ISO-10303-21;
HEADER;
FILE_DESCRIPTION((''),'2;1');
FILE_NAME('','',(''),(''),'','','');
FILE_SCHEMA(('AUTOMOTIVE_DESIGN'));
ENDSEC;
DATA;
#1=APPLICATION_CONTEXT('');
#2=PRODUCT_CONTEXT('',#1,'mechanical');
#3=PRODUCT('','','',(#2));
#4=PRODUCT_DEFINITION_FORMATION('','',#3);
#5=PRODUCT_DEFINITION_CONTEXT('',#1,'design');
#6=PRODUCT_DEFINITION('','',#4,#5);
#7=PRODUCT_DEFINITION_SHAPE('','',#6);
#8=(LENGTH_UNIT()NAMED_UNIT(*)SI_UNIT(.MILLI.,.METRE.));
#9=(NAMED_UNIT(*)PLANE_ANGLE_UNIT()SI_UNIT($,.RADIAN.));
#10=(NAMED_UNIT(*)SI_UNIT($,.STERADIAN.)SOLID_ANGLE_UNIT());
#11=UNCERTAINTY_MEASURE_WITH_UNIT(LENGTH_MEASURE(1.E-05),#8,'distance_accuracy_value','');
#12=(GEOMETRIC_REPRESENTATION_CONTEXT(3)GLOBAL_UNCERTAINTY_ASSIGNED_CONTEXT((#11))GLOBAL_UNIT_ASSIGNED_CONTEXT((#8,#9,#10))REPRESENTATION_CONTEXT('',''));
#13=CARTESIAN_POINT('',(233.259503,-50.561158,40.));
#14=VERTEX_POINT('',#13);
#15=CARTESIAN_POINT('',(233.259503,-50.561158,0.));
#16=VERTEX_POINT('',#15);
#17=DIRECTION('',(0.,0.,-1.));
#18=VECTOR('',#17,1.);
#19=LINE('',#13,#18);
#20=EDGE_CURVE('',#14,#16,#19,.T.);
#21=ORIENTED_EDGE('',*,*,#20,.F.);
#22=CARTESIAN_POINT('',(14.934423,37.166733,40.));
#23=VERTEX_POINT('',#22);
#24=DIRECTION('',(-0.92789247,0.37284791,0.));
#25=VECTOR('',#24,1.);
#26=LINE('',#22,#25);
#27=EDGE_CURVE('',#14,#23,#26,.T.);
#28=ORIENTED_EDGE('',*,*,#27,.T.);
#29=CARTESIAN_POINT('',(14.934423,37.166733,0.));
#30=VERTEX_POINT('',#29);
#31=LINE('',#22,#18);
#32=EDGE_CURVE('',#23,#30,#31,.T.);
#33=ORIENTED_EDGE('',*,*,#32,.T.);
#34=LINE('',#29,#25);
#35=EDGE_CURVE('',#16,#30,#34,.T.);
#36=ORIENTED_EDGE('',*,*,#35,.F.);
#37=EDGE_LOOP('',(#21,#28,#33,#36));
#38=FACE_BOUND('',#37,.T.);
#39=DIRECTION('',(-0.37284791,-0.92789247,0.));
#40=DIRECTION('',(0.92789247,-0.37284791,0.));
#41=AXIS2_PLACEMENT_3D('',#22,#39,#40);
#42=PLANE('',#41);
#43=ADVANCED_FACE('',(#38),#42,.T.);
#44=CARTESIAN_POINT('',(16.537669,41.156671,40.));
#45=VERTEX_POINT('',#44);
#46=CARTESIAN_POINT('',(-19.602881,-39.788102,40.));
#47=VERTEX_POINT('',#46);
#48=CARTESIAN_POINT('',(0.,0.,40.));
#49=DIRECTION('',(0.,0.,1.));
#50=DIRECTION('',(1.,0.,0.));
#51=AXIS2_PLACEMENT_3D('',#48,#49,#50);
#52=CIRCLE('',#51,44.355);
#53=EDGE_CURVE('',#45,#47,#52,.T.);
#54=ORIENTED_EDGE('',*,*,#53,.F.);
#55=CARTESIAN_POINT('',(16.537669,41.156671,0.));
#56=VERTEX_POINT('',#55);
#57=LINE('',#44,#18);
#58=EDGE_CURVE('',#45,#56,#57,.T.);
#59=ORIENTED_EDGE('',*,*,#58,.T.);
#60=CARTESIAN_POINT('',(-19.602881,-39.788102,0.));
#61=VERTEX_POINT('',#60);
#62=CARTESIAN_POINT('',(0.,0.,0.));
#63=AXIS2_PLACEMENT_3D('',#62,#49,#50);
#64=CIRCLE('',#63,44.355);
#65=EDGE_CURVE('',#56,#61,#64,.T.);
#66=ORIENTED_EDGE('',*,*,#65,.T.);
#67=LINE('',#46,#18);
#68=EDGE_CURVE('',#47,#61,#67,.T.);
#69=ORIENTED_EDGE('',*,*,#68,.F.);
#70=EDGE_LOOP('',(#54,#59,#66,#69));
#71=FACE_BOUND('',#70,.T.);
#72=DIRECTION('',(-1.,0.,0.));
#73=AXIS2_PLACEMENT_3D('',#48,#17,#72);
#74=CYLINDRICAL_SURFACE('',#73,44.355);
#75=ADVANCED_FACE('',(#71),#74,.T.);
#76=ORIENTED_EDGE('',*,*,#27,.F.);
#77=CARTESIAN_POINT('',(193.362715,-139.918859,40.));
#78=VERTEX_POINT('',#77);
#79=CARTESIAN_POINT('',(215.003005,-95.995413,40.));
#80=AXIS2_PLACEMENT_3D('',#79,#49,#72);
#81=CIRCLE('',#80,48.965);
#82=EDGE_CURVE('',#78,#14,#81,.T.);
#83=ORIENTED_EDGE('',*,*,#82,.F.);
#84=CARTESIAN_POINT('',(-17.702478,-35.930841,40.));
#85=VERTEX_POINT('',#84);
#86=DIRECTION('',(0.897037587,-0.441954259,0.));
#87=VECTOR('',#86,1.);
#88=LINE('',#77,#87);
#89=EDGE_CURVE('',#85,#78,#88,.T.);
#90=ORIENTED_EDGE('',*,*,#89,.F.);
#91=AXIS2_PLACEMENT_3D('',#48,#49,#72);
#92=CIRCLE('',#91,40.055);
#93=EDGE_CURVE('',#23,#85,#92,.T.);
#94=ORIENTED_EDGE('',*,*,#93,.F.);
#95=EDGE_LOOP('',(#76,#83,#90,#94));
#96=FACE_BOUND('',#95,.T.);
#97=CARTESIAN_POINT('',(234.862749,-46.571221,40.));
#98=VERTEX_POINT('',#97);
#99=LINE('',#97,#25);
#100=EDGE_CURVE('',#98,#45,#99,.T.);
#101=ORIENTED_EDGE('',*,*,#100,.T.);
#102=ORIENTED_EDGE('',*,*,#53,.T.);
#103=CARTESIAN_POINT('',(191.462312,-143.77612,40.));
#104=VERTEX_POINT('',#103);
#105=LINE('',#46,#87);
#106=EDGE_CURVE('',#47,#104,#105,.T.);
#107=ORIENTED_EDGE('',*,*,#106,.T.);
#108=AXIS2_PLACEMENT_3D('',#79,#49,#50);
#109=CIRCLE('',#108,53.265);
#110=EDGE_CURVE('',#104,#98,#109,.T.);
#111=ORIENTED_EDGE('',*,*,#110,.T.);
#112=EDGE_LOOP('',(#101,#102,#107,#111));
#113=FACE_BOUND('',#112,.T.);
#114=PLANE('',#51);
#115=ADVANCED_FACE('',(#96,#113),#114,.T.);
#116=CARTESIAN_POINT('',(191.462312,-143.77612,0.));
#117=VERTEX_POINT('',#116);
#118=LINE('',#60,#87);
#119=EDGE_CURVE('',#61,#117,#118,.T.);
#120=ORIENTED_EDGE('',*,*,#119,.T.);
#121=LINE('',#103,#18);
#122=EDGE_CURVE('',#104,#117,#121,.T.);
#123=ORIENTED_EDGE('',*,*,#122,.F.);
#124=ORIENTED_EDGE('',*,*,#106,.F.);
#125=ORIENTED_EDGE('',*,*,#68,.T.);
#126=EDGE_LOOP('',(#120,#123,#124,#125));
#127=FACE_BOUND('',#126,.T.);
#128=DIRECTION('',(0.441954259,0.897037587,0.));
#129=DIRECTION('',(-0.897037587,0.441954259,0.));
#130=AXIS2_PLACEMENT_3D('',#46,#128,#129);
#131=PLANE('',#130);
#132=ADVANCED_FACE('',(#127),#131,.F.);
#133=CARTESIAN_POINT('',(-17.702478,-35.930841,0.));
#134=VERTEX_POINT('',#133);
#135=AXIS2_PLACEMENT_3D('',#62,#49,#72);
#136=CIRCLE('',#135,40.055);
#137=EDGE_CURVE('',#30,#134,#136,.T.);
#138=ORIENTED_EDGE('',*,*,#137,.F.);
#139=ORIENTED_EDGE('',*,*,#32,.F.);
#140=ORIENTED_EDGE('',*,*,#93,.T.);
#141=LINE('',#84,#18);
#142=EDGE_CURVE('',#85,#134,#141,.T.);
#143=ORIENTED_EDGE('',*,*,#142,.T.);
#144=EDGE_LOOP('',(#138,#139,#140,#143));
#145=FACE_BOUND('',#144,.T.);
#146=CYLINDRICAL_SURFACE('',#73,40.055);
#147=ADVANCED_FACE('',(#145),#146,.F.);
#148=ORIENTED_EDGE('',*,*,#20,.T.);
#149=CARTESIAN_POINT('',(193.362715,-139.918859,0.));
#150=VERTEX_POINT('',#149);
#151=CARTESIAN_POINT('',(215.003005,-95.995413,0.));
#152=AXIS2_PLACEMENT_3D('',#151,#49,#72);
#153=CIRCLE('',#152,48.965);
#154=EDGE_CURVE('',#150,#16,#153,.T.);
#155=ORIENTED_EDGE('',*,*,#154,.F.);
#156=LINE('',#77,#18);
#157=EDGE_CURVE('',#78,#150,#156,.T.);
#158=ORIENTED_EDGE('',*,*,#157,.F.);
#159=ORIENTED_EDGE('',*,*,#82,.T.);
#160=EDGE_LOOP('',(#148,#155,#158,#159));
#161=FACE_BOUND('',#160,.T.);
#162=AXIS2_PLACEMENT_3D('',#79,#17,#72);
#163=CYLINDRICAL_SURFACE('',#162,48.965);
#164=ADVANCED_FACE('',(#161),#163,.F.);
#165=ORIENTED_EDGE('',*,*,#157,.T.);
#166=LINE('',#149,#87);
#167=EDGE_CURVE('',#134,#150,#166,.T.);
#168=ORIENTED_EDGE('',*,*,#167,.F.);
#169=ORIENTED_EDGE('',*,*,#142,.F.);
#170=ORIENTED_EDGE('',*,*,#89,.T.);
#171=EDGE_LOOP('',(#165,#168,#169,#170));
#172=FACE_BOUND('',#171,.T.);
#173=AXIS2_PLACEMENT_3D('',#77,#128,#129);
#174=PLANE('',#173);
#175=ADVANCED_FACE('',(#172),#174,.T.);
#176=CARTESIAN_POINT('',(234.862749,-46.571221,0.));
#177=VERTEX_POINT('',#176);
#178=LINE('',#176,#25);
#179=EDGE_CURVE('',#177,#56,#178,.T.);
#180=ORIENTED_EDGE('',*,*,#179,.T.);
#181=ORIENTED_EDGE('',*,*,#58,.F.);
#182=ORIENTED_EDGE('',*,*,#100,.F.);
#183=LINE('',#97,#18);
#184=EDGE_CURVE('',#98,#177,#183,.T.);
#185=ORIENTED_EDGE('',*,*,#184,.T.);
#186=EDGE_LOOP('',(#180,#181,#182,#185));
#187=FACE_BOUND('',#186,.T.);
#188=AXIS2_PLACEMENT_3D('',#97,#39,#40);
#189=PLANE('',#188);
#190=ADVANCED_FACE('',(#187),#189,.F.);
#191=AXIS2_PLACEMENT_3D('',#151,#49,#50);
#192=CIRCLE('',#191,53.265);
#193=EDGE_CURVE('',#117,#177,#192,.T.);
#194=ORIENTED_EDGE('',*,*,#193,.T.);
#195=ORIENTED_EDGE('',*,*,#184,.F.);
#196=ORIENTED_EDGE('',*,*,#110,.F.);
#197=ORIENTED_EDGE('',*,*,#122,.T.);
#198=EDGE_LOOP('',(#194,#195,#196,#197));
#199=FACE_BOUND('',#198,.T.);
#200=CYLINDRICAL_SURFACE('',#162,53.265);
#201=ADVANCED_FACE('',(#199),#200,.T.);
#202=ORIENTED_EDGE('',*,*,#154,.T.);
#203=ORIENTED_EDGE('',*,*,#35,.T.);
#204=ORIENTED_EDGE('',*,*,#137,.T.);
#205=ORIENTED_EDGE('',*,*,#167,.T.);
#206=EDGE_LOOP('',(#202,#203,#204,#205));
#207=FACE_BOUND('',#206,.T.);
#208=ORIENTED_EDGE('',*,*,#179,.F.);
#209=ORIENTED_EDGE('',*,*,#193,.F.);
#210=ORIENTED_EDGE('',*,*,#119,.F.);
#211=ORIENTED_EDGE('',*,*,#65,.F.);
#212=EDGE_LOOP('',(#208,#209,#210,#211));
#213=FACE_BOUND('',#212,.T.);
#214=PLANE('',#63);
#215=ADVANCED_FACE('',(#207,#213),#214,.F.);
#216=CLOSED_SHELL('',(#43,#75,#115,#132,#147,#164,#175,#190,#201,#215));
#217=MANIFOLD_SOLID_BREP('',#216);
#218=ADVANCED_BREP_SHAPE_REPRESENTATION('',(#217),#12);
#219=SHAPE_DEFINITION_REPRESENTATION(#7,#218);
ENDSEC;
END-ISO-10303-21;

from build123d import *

# Parameters (mm, degrees)
BOSS_EXTRUDE1_DEPTH = 40


with BuildPart() as part:
    # Sketch1 → Boss-Extrude1 (new body)
    with BuildSketch(Plane.XY):
        with BuildLine():
            Line((-19.602881157, -39.788102183), (191.462311598, -143.776120279))
            ThreePointArc((191.462311598, -143.776120279), (263.640289972, -117.71118523), (234.862749113, -46.571220769))
            Line((234.862749113, -46.571220769), (16.537669036, 41.156670515))
            ThreePointArc((16.537669036, 41.156670515), (-40.501394274, 18.083226672), (-19.602881157, -39.788102183))
        make_face()
        with BuildLine():
            Line((193.362714911, -139.918858654), (-17.702477843, -35.930840558))
            ThreePointArc((-17.702477843, -35.930840558), (-36.574982474, 16.330146417), (14.934423024, 37.166732893))
            Line((14.934423024, 37.166732893), (233.259503101, -50.561158391))
            ThreePointArc((233.259503101, -50.561158391), (259.713878173, -115.958104976), (193.362714911, -139.918858654))
        make_face(mode=Mode.SUBTRACT)
    extrude(amount=BOSS_EXTRUDE1_DEPTH)


solid = part.part
